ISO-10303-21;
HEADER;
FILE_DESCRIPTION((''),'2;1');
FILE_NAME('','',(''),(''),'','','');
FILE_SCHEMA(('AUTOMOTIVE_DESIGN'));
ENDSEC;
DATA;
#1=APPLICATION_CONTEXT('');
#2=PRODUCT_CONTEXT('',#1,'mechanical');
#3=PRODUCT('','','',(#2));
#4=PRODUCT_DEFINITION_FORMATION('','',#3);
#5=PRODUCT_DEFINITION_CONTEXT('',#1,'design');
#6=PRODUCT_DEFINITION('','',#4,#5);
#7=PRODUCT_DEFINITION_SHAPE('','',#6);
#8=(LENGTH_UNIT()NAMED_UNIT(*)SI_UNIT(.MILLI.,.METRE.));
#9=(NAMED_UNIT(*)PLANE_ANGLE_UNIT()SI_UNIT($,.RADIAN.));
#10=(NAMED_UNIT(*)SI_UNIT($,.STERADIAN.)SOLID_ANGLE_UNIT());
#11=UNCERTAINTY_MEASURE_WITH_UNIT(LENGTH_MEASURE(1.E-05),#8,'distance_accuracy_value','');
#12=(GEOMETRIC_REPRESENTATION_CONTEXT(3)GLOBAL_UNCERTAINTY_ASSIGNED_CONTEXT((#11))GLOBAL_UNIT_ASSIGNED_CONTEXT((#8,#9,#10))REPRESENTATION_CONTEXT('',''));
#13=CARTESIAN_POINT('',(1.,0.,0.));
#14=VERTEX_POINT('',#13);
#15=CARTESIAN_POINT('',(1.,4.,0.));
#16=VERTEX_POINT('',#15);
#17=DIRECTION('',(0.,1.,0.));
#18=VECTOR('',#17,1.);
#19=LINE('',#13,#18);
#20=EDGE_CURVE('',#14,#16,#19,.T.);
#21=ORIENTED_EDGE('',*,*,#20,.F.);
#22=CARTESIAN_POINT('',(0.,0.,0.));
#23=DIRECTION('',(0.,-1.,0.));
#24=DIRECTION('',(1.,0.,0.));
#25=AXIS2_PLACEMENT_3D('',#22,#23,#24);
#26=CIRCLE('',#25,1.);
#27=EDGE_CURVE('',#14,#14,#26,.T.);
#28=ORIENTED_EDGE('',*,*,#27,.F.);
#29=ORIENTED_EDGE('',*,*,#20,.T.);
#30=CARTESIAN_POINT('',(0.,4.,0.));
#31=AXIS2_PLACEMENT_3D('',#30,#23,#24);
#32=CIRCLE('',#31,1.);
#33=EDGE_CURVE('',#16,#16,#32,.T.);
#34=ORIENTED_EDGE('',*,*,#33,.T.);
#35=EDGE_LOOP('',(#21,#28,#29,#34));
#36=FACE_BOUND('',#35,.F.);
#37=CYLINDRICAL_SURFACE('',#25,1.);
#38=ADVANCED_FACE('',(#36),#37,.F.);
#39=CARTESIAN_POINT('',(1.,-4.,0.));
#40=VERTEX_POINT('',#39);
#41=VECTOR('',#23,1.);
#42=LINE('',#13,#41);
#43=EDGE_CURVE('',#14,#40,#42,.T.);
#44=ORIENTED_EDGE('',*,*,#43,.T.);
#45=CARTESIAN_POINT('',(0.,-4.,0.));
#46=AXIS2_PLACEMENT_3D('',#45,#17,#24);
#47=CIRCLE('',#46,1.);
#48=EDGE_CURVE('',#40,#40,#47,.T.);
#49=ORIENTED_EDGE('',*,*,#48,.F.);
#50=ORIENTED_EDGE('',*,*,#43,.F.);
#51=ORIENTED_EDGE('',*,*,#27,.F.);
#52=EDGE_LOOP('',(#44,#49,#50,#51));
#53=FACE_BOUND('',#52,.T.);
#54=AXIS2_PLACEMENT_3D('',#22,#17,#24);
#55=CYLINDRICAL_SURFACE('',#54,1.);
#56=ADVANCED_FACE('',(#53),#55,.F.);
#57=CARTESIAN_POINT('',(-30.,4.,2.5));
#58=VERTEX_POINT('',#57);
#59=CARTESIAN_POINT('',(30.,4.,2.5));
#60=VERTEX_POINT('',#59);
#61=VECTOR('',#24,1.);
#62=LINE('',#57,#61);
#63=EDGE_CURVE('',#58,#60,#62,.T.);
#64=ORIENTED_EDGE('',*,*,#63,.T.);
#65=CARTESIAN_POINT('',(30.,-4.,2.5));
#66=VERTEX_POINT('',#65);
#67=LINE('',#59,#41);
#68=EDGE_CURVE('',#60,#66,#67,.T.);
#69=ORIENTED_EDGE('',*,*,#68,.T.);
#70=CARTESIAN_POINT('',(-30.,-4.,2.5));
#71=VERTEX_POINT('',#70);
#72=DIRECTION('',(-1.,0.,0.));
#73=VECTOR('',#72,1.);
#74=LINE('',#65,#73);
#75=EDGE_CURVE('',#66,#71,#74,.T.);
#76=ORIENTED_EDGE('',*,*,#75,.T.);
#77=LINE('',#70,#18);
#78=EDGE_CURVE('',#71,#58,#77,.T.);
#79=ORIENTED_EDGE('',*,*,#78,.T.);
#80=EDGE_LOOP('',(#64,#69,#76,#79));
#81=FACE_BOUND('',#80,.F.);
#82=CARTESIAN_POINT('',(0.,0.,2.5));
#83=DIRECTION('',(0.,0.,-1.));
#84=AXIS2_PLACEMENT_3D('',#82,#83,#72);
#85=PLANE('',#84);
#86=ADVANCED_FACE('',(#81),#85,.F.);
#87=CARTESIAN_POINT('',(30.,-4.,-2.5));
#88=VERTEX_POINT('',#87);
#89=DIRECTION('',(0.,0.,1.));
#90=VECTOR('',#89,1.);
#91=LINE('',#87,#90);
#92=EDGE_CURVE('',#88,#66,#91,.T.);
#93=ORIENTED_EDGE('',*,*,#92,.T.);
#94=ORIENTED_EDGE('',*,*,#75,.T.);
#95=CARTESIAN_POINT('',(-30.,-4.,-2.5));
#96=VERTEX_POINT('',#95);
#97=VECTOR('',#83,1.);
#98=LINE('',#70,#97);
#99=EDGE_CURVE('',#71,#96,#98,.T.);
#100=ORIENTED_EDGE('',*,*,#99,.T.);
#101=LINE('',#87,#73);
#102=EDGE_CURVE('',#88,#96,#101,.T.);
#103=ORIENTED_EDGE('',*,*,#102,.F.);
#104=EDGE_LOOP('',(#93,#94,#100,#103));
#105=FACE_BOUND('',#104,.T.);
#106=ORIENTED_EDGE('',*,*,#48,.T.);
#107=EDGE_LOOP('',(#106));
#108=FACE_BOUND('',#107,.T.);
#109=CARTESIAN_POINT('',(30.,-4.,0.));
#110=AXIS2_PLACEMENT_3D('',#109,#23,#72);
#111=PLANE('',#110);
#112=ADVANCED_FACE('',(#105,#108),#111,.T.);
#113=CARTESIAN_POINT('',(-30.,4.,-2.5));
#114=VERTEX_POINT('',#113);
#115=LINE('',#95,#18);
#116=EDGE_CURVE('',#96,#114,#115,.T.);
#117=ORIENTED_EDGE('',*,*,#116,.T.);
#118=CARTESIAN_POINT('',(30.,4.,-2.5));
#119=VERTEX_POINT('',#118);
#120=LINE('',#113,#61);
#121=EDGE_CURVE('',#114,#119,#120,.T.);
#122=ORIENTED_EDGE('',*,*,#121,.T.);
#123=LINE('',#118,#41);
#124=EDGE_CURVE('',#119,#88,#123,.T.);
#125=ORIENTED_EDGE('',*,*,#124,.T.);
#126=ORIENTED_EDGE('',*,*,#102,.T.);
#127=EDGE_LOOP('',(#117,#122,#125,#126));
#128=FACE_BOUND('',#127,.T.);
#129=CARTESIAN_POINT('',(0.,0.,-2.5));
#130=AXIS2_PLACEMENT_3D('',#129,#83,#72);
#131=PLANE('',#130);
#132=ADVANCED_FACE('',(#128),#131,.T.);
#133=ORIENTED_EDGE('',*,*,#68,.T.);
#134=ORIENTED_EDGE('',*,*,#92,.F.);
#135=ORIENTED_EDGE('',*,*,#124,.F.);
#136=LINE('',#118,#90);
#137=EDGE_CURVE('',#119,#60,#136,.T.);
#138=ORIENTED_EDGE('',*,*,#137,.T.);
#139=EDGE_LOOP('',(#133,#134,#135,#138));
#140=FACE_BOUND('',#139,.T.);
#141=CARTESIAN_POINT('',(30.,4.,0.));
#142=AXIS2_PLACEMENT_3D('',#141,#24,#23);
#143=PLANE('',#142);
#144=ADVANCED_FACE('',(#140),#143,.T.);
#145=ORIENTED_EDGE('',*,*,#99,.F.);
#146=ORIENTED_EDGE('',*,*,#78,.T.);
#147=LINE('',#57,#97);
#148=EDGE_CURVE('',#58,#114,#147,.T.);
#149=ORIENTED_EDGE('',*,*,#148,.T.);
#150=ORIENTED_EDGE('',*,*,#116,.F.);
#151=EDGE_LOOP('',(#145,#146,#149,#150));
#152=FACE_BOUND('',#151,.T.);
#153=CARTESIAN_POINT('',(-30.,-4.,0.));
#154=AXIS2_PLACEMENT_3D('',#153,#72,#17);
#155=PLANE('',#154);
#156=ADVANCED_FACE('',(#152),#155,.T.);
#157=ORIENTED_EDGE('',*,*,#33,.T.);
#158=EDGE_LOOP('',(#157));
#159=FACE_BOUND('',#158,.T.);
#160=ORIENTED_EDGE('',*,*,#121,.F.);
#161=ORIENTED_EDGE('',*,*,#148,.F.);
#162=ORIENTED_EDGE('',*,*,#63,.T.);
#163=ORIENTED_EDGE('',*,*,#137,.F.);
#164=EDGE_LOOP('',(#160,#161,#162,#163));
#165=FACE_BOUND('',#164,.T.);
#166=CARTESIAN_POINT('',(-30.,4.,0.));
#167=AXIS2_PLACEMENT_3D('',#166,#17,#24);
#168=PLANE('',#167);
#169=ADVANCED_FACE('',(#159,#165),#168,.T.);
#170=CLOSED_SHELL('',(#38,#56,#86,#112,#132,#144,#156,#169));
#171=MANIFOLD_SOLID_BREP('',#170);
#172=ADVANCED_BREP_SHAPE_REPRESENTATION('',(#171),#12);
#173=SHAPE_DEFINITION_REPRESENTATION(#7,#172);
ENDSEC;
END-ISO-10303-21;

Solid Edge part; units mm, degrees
sketch "Sketch1" plane through (0, 0, 0) normal (0, 0, 1) x (1, 0, 0)
  line L0 (30, -4) -> (-30, -4)
  line L1 (-30, -4) -> (-30, 4)
  line L2 (-30, 4) -> (30, 4)
  line L3 (30, 4) -> (30, -4)
extrude "Protrusion1" add sketch "Sketch1" along normal mid plane 5
sketch "Sketch2" plane through (0, 0, 0) normal (0, -1, 0) x (1, 0, 0)
  circle A0 centre (0, 0) radius 1
extrude "ExtrudedCutout_1" cut sketch "Sketch2" along normal mid plane 38.2729
